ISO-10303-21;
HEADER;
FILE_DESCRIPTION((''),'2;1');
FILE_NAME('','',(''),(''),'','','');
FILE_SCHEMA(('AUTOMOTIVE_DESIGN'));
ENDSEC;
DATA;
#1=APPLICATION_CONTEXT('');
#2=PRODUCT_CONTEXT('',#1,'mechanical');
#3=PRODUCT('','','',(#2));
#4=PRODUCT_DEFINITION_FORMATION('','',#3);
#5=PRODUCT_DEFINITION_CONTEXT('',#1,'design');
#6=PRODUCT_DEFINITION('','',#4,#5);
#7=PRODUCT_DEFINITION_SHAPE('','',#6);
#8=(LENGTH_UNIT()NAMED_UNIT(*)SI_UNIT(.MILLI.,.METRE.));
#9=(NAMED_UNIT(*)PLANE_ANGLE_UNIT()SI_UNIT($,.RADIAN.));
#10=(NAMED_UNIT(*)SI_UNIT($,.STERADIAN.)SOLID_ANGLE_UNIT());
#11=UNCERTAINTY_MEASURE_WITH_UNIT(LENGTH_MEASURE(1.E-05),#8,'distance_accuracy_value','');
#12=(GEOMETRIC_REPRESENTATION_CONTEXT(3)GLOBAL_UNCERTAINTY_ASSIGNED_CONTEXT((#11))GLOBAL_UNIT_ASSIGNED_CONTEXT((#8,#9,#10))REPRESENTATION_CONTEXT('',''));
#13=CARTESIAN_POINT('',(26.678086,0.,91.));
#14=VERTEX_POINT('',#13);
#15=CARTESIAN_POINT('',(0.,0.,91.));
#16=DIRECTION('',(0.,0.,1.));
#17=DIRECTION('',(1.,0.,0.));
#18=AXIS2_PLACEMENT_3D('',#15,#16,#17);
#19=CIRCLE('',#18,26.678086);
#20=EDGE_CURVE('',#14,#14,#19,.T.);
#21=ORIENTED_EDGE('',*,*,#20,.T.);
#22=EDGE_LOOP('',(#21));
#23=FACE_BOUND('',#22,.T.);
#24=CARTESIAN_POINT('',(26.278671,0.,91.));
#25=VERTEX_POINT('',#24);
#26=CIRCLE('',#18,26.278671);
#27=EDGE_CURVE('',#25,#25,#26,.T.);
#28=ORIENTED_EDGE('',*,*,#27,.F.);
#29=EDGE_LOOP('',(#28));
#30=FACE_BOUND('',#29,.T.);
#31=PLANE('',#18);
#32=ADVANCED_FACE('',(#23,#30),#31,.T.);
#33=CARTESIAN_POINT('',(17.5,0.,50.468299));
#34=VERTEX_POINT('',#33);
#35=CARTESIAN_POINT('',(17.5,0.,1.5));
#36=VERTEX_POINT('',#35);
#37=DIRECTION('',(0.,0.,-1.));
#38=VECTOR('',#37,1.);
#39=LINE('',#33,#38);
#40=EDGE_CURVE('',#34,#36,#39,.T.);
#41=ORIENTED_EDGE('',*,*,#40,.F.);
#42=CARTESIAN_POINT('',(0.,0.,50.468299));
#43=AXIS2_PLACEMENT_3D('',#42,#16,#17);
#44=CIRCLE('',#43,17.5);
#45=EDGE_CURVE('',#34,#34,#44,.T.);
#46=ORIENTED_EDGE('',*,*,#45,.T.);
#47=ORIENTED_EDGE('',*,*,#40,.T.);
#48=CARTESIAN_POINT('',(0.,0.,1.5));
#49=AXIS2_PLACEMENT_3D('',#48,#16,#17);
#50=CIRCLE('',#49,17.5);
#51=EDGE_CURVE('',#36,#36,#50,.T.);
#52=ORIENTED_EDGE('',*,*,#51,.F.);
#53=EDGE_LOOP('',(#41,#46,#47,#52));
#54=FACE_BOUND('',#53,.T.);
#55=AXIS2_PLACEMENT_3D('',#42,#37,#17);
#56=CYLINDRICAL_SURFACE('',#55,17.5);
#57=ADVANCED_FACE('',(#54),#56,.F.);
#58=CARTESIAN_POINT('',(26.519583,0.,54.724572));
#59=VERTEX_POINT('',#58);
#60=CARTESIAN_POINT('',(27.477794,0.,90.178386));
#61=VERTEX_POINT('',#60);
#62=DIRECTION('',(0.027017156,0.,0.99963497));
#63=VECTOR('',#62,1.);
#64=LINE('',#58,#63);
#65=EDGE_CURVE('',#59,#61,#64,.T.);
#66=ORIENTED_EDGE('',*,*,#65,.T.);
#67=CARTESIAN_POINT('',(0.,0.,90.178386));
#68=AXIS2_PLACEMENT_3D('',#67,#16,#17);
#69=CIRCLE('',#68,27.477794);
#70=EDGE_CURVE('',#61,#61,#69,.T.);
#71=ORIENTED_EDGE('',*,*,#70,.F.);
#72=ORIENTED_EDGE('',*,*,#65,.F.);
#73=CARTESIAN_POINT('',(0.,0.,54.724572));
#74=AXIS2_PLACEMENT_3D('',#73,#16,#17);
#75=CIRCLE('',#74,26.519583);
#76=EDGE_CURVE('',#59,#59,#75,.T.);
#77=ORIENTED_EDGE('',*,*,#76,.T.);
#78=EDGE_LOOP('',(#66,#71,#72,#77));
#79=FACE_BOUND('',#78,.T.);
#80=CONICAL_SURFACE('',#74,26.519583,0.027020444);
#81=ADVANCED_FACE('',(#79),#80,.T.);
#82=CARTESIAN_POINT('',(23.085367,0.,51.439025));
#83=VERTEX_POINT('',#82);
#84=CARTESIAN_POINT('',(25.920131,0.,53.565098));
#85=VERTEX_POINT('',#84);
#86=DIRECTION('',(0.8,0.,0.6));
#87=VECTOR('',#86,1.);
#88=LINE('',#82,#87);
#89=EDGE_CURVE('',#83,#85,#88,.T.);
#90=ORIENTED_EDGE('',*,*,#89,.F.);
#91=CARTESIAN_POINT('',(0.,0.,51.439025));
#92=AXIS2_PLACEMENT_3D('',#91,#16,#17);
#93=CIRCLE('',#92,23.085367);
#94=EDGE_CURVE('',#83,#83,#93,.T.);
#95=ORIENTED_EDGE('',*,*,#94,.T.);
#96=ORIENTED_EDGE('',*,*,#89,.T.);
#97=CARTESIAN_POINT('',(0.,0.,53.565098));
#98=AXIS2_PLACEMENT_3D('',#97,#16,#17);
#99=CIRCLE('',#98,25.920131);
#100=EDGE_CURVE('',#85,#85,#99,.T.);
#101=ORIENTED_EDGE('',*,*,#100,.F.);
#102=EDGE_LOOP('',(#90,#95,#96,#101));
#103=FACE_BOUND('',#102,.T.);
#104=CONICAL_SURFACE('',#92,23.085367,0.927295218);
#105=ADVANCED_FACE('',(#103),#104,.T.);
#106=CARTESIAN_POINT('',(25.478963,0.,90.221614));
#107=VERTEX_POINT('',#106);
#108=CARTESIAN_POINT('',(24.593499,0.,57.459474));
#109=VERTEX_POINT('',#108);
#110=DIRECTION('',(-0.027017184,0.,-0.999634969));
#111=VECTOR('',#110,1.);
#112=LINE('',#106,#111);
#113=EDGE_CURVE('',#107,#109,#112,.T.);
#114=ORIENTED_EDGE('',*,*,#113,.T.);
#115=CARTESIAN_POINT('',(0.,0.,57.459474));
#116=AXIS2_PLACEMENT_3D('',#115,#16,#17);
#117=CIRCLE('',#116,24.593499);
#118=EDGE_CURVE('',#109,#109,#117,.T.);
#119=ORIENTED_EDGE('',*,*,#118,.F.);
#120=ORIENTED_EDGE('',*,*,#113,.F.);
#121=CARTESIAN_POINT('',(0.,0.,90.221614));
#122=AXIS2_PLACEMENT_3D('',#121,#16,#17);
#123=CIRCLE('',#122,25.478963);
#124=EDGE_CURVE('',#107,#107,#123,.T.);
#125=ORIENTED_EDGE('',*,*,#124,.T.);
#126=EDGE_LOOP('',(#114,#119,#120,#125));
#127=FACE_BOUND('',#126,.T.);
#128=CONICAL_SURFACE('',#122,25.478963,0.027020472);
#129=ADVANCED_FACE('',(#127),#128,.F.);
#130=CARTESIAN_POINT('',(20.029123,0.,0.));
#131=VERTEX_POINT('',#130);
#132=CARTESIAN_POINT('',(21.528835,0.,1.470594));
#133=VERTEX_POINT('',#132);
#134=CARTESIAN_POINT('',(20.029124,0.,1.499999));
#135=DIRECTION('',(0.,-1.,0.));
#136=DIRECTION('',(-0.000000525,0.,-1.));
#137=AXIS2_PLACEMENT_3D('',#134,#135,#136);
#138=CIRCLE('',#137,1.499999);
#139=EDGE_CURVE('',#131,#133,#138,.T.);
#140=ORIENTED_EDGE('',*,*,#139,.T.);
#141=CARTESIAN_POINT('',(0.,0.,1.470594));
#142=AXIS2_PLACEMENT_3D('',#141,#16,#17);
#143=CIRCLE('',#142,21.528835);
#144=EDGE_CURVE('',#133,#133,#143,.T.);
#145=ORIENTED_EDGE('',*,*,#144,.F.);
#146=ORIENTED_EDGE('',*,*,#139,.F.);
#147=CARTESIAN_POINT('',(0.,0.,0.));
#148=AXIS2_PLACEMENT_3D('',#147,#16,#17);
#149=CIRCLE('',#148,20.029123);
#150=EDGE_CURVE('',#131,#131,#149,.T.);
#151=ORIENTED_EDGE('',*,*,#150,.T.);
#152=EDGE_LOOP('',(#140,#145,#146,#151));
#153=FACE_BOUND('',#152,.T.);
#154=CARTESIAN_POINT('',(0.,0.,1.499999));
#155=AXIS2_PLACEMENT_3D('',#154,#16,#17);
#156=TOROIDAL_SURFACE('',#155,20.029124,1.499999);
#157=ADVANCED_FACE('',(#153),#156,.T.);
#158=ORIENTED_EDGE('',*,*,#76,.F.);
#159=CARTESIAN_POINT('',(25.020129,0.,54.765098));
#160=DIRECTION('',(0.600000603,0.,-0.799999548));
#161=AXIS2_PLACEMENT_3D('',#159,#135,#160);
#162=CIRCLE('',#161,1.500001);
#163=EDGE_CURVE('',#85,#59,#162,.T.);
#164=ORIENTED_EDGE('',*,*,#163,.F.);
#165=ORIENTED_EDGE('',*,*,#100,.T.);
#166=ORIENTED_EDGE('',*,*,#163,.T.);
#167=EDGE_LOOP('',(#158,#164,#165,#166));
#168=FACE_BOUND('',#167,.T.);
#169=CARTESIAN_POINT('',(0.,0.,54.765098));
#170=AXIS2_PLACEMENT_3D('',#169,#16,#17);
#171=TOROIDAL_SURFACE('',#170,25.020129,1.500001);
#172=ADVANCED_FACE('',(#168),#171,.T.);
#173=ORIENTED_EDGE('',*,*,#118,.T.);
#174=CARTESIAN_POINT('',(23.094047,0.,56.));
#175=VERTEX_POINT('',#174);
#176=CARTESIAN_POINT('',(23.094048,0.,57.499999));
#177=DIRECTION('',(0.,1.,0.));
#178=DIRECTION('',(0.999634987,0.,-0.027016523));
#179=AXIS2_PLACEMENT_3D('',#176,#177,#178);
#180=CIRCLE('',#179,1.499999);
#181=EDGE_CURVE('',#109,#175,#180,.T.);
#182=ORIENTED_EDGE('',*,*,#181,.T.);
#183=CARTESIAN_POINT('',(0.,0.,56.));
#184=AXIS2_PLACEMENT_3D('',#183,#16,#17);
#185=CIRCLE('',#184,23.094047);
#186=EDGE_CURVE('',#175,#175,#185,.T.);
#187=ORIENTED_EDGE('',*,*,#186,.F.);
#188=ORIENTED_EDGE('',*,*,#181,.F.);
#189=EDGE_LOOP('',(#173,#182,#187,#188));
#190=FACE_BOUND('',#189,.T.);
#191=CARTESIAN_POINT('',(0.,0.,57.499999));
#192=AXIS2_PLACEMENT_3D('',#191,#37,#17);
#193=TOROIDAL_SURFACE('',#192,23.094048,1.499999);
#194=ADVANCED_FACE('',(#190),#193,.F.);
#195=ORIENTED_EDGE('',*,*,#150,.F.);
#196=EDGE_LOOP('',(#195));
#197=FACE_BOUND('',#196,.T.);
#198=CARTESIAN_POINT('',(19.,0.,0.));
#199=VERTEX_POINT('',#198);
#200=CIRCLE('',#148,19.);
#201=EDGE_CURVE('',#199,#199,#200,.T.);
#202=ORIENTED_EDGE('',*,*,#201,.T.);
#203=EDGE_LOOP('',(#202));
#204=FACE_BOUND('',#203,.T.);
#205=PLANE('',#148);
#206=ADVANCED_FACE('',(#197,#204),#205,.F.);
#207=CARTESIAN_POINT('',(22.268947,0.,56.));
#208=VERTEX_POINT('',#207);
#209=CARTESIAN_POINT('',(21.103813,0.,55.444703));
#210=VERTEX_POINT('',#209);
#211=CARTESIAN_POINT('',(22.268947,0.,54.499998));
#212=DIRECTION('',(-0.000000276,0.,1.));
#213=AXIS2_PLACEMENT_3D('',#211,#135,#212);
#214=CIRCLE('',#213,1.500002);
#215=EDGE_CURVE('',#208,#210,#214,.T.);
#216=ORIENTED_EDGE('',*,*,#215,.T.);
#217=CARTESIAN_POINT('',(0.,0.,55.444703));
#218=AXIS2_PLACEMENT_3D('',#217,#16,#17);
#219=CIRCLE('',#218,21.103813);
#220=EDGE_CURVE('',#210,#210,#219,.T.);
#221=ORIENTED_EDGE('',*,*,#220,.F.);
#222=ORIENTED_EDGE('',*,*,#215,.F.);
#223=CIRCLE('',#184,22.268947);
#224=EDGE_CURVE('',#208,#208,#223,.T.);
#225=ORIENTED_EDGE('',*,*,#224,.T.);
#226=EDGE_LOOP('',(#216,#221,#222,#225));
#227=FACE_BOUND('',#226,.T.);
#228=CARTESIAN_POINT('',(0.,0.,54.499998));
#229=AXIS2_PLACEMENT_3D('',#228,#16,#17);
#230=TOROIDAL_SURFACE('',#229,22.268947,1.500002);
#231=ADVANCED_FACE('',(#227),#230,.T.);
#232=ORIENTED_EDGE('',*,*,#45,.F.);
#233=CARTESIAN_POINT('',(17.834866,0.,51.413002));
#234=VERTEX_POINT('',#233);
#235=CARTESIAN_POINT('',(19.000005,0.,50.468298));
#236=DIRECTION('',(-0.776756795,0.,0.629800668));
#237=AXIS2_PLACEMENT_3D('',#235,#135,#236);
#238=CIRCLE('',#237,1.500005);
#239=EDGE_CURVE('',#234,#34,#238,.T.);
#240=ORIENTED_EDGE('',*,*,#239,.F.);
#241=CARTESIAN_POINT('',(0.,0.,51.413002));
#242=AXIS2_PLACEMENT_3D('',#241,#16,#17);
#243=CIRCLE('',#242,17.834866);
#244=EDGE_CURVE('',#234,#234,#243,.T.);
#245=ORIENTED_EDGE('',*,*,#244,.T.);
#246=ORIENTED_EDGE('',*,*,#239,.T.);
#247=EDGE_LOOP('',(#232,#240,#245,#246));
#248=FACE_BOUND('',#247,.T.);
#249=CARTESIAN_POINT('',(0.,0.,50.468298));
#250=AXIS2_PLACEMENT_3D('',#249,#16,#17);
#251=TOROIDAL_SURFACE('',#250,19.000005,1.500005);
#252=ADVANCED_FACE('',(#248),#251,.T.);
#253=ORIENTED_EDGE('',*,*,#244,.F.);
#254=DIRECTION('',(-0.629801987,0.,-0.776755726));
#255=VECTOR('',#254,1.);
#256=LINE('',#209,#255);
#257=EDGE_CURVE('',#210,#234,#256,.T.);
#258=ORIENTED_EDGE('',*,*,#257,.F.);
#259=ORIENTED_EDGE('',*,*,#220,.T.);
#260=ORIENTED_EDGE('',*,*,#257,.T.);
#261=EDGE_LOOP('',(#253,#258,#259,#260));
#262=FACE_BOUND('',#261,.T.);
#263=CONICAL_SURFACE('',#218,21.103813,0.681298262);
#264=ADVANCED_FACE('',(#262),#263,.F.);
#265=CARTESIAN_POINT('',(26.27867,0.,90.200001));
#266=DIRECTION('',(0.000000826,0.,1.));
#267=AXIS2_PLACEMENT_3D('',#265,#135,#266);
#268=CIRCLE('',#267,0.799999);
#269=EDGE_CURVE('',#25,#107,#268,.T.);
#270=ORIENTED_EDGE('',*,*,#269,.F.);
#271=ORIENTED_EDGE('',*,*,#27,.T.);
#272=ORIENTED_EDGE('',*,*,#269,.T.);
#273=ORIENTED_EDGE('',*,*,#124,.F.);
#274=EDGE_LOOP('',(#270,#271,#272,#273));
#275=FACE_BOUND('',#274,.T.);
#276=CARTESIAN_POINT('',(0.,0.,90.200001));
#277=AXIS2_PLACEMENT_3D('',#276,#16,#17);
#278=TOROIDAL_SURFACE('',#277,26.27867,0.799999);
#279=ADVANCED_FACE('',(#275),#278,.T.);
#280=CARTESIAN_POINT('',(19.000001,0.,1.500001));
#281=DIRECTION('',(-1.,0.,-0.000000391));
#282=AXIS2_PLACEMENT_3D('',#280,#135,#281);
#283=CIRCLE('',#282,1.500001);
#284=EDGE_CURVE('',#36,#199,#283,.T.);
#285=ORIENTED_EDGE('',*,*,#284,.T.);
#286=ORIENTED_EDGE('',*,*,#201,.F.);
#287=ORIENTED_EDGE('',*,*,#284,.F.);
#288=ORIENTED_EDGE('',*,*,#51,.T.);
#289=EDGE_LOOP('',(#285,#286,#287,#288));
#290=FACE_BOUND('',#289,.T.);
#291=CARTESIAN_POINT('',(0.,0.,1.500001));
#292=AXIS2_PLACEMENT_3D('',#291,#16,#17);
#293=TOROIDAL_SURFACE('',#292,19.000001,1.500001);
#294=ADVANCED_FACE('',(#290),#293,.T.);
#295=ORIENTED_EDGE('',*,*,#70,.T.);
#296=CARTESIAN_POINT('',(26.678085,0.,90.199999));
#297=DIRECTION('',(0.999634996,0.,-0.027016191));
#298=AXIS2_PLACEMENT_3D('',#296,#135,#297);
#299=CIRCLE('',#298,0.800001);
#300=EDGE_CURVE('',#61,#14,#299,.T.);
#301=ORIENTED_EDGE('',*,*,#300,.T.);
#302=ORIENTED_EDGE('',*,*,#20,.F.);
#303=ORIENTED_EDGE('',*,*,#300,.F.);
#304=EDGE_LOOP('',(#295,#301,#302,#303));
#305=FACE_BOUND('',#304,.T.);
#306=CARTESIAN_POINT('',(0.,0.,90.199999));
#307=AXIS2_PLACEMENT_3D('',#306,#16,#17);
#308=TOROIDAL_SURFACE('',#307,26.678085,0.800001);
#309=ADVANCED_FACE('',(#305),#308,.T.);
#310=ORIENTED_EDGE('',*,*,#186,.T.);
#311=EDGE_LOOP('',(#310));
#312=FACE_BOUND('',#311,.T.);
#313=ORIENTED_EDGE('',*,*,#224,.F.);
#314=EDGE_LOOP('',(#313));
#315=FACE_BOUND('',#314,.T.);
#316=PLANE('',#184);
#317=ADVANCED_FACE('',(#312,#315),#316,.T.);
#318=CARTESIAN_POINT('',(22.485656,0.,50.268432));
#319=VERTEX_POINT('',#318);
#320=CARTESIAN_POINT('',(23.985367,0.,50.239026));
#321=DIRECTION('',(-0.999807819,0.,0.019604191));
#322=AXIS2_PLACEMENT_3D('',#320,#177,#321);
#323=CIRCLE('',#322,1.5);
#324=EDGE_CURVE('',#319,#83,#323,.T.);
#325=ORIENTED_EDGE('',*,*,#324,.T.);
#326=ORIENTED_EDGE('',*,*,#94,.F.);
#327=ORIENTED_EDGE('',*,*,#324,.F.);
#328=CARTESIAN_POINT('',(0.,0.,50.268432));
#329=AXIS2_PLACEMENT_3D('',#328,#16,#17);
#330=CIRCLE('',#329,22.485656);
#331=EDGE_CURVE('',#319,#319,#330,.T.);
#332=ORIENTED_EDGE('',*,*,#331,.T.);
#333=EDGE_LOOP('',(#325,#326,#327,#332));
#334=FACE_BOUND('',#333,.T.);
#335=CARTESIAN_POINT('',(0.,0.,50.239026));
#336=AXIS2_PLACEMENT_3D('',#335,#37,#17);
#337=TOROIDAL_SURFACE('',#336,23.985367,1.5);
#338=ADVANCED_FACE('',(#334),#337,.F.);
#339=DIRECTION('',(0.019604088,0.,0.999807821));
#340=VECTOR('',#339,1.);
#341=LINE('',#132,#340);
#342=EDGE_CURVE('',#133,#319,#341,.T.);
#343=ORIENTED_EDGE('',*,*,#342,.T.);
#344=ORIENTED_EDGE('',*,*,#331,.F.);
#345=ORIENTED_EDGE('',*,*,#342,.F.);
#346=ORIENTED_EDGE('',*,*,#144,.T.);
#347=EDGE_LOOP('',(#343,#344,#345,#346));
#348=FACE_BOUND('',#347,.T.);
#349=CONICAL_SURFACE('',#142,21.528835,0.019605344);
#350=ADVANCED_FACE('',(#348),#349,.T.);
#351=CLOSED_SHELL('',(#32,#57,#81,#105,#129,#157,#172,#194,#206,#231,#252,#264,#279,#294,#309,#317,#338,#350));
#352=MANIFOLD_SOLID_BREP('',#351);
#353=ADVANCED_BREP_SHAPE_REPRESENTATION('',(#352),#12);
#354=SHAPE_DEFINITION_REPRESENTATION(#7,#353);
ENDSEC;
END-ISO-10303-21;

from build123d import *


with BuildPart() as f1:
    # F0 (on Front) → F1 (revolve)
    with BuildSketch(Plane.XZ):
        with BuildLine():
            Line((26.519583, 54.724572), (27.477794, 90.178386))
            ThreePointArc((27.477794, 90.178386), (27.251362, 90.757991), (26.678086, 91))
            Line((26.678086, 91), (26.278671, 91))
            ThreePointArc((26.278671, 91), (25.720679, 90.773276), (25.478963, 90.221614))
            Line((25.478963, 90.221614), (24.593499, 57.459474))
            ThreePointArc((24.593499, 57.459474), (24.140281, 56.425107), (23.094047, 56))
            Line((23.094047, 56), (22.268947, 56))
            ThreePointArc((22.268947, 56), (21.6236, 55.854078), (21.103813, 55.444703))
            Line((21.103813, 55.444703), (17.834866, 51.413002))
            ThreePointArc((17.834866, 51.413002), (17.586193, 50.969447), (17.5, 50.468299))
            Line((17.5, 50.468299), (17.5, 1.5))
            ThreePointArc((17.5, 1.5), (17.93934, 0.43934), (19, 0))
            Line((19, 0), (20.029123, 0))
            ThreePointArc((20.029123, 0), (21.079336, 0.428994), (21.528835, 1.470594))
            Line((21.528835, 1.470594), (22.485656, 50.268432))
            ThreePointArc((22.485656, 50.268432), (22.650367, 50.922965), (23.085367, 51.439025))
            Line((23.085367, 51.439025), (25.920131, 53.565098))
            ThreePointArc((25.920131, 53.565098), (26.352586, 54.076213), (26.519583, 54.724572))
        make_face()
    revolve(axis=Axis((0, 0, 46.589531), (0, 0, 1)))


solid = f1.part
